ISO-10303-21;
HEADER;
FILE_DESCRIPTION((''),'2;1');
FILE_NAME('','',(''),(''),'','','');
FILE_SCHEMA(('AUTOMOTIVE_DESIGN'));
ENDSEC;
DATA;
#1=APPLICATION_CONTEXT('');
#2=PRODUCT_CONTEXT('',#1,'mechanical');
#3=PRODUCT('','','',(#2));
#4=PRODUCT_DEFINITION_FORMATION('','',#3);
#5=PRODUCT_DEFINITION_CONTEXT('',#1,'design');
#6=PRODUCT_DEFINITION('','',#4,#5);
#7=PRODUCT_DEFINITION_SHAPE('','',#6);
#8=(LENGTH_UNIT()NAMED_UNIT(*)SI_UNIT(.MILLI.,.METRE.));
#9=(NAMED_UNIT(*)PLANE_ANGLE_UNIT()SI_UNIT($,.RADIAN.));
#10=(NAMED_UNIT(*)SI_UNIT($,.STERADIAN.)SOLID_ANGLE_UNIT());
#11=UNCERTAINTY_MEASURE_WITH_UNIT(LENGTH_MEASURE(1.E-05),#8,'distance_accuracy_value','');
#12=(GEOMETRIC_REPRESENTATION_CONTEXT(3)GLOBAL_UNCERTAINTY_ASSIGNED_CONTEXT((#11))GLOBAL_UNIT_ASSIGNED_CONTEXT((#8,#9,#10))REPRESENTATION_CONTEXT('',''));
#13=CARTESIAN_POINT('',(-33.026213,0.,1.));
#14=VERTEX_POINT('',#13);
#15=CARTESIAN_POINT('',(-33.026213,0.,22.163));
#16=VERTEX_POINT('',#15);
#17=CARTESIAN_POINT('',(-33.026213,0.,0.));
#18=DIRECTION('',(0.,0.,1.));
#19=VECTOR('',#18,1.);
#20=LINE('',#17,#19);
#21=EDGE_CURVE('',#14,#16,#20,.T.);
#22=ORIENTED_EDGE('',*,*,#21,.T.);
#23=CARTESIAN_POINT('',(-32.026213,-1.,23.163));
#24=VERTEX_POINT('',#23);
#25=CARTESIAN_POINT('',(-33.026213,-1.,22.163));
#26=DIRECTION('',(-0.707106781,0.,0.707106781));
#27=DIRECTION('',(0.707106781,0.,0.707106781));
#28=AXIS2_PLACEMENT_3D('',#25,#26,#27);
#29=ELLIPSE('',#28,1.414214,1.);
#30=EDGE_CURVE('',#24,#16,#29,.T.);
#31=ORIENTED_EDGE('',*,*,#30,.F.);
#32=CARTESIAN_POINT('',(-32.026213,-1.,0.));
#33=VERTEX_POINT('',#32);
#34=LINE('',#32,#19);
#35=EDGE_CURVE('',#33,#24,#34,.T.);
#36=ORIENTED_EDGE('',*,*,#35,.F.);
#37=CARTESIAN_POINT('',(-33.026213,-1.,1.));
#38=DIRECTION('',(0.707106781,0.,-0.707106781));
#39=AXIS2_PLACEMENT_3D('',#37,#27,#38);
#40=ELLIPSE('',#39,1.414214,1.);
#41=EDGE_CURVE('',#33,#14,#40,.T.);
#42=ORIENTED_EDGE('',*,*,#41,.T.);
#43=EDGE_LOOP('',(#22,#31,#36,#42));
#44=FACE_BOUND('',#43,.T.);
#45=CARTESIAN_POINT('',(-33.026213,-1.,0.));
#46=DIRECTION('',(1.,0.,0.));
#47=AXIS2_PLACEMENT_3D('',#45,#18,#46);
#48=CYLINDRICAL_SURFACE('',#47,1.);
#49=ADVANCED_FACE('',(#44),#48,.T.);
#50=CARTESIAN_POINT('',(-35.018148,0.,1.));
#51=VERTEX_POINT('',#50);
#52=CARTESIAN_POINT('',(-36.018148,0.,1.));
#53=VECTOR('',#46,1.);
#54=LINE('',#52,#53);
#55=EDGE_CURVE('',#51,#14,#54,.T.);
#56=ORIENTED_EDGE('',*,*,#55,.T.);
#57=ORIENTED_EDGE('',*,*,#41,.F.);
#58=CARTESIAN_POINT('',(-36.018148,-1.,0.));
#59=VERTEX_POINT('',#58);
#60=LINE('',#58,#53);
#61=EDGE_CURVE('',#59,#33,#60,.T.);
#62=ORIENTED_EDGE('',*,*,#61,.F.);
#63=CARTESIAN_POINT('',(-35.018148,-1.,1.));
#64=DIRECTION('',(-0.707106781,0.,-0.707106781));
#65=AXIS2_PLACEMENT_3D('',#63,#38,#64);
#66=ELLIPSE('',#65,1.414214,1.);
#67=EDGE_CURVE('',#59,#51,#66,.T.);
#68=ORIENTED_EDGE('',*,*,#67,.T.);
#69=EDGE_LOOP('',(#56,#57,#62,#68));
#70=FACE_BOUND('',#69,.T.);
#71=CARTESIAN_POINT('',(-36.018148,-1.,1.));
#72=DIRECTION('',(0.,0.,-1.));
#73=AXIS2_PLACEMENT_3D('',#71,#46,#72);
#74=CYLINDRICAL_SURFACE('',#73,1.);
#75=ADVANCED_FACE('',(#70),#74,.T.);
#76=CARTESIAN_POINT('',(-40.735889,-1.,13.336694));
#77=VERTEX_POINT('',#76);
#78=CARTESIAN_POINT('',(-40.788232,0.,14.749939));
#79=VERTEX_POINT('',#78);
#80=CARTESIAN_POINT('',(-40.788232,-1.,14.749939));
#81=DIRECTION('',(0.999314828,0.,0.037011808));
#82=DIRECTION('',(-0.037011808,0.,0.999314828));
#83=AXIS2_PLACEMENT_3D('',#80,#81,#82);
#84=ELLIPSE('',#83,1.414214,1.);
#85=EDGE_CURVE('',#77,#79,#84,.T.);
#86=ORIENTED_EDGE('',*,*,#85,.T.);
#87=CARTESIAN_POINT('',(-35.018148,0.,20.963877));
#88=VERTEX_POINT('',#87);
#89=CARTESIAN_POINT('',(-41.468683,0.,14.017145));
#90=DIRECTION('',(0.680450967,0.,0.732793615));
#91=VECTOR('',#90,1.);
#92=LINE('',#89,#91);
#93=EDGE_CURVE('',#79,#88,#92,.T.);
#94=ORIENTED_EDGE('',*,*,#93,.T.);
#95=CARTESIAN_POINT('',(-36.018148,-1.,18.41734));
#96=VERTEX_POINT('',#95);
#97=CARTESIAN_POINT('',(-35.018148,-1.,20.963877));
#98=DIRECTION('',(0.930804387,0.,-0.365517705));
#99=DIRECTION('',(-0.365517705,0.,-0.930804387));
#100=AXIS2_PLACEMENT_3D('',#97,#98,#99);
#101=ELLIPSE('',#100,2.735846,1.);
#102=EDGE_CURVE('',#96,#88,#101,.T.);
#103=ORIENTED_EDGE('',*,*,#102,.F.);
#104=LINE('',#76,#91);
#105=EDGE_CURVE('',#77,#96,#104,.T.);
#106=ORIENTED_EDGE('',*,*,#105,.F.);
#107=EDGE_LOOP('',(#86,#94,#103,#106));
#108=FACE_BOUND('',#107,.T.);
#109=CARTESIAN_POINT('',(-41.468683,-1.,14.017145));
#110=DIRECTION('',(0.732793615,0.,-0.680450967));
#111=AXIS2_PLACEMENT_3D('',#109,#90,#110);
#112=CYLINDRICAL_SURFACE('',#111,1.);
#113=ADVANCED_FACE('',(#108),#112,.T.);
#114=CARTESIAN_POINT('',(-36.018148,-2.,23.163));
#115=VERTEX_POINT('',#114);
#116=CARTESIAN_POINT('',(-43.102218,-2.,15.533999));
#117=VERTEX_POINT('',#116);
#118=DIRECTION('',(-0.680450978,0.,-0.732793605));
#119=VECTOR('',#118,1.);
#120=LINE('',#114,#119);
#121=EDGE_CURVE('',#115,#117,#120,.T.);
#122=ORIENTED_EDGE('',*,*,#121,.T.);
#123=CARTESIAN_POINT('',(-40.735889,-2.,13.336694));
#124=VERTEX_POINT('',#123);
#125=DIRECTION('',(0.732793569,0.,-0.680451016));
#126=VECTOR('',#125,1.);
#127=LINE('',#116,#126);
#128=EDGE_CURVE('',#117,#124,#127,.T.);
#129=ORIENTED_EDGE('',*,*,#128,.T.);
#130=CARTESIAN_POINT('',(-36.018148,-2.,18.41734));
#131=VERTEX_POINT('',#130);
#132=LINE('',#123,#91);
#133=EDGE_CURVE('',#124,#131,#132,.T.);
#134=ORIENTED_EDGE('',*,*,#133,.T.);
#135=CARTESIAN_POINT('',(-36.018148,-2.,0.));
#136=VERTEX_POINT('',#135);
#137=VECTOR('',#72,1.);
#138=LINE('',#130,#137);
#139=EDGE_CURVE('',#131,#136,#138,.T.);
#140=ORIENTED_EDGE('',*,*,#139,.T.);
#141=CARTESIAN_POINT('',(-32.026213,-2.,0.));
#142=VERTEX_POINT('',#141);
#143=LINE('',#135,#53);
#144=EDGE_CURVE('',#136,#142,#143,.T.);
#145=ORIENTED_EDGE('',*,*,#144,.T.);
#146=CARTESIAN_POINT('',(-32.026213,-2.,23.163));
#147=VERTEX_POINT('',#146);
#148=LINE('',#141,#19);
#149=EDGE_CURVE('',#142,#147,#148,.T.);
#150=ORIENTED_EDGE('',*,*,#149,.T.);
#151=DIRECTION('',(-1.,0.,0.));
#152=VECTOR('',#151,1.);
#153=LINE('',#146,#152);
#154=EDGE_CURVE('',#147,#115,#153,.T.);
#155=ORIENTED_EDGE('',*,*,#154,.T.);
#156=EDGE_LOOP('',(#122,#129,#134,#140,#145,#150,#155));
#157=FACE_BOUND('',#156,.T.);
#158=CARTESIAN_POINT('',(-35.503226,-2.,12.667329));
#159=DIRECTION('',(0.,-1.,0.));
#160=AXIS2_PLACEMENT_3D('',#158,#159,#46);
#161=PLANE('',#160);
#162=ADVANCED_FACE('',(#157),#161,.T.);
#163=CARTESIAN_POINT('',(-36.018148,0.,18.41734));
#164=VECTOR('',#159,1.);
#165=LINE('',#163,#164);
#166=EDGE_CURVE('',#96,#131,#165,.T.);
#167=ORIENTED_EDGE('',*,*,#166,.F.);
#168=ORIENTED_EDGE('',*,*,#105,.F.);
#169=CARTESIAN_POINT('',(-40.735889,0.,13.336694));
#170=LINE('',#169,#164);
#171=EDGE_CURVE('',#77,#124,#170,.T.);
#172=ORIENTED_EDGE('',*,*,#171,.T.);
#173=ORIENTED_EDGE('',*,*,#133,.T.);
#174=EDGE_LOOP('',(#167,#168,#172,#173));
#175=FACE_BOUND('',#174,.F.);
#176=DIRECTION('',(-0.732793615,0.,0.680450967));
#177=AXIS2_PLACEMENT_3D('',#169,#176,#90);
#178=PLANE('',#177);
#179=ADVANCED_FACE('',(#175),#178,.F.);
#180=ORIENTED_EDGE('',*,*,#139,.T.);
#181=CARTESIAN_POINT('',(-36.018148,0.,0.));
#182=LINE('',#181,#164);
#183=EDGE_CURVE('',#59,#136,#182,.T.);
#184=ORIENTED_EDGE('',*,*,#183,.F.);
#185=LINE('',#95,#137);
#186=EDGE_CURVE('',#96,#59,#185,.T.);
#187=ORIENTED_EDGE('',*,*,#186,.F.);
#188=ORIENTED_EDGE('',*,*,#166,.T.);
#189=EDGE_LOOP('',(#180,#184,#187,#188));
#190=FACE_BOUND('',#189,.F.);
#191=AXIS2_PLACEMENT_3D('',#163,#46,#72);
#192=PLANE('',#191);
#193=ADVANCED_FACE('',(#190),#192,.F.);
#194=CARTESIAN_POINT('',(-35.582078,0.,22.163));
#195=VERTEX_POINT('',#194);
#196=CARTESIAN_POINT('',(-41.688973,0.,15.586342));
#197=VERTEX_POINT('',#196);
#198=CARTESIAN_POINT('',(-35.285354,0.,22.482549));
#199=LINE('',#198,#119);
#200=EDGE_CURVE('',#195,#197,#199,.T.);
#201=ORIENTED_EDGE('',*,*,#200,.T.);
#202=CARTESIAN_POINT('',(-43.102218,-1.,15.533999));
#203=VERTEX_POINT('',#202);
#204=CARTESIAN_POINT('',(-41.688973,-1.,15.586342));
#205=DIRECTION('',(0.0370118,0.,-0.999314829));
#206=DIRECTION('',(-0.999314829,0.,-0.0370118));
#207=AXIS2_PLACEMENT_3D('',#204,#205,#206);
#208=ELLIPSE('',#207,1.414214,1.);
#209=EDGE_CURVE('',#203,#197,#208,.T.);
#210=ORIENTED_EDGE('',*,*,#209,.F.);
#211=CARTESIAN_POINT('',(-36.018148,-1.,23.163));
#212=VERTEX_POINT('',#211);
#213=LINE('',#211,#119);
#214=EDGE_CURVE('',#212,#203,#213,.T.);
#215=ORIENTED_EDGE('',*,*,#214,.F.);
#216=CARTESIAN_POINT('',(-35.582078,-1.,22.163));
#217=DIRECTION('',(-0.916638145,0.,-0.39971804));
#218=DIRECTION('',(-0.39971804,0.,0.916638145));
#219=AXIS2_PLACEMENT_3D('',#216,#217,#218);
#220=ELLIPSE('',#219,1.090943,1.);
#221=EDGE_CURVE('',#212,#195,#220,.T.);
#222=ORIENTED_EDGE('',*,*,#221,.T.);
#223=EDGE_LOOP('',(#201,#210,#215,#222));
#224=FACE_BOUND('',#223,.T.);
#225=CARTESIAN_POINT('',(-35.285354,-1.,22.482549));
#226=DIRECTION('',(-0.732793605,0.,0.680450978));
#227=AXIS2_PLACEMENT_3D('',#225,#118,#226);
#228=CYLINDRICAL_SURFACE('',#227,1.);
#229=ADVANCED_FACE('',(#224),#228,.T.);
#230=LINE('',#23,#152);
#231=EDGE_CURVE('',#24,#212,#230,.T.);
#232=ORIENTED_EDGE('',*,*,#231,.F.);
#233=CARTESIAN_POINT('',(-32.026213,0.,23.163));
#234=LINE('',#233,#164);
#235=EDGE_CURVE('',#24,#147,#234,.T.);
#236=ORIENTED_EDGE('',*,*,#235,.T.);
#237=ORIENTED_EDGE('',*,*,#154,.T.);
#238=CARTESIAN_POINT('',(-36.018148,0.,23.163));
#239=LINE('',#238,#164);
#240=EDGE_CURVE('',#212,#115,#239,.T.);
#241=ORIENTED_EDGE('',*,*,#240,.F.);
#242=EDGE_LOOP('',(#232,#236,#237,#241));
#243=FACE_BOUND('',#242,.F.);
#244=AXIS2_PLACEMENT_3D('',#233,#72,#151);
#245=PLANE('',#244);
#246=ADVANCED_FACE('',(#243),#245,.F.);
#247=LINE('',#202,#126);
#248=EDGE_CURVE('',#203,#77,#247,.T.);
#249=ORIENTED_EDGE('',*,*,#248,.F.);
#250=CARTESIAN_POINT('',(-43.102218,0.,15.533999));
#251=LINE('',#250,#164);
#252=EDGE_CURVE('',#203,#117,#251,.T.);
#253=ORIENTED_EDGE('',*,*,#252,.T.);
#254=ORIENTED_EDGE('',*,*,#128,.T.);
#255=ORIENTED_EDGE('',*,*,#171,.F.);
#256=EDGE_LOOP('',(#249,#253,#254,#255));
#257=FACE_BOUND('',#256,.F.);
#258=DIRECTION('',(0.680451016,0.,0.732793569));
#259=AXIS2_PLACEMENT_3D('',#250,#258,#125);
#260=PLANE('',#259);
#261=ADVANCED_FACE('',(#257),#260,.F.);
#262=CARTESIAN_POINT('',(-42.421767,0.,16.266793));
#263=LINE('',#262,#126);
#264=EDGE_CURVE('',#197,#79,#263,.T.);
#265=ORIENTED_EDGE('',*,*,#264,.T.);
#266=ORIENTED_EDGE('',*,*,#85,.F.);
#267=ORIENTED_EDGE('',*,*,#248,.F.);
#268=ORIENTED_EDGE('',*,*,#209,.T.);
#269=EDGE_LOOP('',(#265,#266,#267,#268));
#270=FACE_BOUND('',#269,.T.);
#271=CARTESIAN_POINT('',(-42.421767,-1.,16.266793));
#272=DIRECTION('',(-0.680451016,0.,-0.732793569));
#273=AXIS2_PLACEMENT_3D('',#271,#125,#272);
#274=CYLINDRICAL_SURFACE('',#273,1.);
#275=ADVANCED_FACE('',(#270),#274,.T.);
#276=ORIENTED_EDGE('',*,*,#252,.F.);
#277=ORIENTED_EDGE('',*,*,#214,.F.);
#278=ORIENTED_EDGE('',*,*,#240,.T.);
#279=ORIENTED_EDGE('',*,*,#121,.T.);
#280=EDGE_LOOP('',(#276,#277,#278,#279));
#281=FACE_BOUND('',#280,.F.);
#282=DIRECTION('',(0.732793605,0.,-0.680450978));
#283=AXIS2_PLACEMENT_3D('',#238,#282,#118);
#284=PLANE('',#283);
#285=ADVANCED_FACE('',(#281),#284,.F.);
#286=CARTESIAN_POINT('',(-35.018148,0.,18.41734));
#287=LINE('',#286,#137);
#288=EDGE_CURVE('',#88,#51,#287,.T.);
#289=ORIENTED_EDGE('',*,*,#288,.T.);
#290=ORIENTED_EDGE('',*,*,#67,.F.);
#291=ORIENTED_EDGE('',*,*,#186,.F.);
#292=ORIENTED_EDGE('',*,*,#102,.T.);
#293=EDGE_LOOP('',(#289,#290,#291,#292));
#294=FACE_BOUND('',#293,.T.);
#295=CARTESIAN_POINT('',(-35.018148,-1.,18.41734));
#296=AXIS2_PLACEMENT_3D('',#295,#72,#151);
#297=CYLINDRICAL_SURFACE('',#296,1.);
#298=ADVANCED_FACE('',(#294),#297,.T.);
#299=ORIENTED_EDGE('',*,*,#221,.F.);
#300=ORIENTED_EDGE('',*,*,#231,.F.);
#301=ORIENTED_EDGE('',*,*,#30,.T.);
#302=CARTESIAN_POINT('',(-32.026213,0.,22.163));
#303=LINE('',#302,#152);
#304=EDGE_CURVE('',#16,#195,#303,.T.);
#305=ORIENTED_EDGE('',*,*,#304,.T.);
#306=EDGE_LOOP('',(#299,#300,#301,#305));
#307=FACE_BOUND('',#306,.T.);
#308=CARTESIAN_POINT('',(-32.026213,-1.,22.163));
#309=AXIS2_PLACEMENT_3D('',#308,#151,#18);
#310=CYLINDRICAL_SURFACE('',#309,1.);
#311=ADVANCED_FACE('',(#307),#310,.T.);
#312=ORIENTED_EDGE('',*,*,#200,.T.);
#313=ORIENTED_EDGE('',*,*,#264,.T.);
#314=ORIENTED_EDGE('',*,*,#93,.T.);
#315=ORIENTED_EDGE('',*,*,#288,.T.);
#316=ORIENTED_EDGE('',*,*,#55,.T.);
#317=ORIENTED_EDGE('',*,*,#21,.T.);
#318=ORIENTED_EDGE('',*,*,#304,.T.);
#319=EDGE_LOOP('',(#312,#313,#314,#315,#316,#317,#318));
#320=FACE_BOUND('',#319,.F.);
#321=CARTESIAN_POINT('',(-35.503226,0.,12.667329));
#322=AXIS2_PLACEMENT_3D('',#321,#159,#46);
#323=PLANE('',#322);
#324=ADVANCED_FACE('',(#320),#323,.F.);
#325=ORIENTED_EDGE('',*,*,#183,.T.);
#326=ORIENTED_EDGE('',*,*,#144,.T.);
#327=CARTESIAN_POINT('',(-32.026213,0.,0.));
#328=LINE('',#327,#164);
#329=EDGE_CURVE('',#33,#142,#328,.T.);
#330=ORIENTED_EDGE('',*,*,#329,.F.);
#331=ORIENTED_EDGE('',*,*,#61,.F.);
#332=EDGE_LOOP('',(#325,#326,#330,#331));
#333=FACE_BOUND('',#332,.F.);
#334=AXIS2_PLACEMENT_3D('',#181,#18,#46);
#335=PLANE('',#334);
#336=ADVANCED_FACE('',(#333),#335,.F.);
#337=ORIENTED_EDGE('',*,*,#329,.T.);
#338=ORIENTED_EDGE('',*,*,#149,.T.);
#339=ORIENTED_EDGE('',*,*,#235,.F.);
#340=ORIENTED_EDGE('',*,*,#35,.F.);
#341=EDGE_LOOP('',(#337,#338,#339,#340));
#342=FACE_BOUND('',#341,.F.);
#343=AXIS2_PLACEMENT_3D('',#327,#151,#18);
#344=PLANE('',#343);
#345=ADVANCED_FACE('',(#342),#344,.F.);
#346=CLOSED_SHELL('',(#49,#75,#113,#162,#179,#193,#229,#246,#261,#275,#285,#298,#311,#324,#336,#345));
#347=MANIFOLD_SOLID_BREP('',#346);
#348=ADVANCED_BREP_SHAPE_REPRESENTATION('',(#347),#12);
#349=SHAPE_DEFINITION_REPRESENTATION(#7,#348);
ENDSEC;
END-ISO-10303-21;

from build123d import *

# Parameters (mm, degrees)
F1_DEPTH = 2
F2_R     = 1


with BuildPart() as f1:
    # F0 (on Front) → F1 (new body)
    with BuildSketch(Plane.XZ):
        Polygon((-36.018148, 18.41734), (-36.018148, 0), (-32.026213, 0), (-32.026213, 23.163), (-36.018148, 23.163), (-43.102218, 15.533999), (-40.735889, 13.336694), align=None)
    extrude(amount=F1_DEPTH)

    # F2
    f2_edges = [f1.edges().sort_by_distance(p)[0] for p in [
        (-36.018148, 0, 9.20867),
        (-38.377019, 0, 15.877017),
        (-34.02218, 0, 0),
        (-32.026213, 0, 11.5815),
        (-34.02218, 0, 23.163),
        (-39.560183, 0, 19.348499),
        (-41.919054, 0, 14.435346),
    ]]
    fillet(f2_edges, radius=F2_R)


solid = f1.part
